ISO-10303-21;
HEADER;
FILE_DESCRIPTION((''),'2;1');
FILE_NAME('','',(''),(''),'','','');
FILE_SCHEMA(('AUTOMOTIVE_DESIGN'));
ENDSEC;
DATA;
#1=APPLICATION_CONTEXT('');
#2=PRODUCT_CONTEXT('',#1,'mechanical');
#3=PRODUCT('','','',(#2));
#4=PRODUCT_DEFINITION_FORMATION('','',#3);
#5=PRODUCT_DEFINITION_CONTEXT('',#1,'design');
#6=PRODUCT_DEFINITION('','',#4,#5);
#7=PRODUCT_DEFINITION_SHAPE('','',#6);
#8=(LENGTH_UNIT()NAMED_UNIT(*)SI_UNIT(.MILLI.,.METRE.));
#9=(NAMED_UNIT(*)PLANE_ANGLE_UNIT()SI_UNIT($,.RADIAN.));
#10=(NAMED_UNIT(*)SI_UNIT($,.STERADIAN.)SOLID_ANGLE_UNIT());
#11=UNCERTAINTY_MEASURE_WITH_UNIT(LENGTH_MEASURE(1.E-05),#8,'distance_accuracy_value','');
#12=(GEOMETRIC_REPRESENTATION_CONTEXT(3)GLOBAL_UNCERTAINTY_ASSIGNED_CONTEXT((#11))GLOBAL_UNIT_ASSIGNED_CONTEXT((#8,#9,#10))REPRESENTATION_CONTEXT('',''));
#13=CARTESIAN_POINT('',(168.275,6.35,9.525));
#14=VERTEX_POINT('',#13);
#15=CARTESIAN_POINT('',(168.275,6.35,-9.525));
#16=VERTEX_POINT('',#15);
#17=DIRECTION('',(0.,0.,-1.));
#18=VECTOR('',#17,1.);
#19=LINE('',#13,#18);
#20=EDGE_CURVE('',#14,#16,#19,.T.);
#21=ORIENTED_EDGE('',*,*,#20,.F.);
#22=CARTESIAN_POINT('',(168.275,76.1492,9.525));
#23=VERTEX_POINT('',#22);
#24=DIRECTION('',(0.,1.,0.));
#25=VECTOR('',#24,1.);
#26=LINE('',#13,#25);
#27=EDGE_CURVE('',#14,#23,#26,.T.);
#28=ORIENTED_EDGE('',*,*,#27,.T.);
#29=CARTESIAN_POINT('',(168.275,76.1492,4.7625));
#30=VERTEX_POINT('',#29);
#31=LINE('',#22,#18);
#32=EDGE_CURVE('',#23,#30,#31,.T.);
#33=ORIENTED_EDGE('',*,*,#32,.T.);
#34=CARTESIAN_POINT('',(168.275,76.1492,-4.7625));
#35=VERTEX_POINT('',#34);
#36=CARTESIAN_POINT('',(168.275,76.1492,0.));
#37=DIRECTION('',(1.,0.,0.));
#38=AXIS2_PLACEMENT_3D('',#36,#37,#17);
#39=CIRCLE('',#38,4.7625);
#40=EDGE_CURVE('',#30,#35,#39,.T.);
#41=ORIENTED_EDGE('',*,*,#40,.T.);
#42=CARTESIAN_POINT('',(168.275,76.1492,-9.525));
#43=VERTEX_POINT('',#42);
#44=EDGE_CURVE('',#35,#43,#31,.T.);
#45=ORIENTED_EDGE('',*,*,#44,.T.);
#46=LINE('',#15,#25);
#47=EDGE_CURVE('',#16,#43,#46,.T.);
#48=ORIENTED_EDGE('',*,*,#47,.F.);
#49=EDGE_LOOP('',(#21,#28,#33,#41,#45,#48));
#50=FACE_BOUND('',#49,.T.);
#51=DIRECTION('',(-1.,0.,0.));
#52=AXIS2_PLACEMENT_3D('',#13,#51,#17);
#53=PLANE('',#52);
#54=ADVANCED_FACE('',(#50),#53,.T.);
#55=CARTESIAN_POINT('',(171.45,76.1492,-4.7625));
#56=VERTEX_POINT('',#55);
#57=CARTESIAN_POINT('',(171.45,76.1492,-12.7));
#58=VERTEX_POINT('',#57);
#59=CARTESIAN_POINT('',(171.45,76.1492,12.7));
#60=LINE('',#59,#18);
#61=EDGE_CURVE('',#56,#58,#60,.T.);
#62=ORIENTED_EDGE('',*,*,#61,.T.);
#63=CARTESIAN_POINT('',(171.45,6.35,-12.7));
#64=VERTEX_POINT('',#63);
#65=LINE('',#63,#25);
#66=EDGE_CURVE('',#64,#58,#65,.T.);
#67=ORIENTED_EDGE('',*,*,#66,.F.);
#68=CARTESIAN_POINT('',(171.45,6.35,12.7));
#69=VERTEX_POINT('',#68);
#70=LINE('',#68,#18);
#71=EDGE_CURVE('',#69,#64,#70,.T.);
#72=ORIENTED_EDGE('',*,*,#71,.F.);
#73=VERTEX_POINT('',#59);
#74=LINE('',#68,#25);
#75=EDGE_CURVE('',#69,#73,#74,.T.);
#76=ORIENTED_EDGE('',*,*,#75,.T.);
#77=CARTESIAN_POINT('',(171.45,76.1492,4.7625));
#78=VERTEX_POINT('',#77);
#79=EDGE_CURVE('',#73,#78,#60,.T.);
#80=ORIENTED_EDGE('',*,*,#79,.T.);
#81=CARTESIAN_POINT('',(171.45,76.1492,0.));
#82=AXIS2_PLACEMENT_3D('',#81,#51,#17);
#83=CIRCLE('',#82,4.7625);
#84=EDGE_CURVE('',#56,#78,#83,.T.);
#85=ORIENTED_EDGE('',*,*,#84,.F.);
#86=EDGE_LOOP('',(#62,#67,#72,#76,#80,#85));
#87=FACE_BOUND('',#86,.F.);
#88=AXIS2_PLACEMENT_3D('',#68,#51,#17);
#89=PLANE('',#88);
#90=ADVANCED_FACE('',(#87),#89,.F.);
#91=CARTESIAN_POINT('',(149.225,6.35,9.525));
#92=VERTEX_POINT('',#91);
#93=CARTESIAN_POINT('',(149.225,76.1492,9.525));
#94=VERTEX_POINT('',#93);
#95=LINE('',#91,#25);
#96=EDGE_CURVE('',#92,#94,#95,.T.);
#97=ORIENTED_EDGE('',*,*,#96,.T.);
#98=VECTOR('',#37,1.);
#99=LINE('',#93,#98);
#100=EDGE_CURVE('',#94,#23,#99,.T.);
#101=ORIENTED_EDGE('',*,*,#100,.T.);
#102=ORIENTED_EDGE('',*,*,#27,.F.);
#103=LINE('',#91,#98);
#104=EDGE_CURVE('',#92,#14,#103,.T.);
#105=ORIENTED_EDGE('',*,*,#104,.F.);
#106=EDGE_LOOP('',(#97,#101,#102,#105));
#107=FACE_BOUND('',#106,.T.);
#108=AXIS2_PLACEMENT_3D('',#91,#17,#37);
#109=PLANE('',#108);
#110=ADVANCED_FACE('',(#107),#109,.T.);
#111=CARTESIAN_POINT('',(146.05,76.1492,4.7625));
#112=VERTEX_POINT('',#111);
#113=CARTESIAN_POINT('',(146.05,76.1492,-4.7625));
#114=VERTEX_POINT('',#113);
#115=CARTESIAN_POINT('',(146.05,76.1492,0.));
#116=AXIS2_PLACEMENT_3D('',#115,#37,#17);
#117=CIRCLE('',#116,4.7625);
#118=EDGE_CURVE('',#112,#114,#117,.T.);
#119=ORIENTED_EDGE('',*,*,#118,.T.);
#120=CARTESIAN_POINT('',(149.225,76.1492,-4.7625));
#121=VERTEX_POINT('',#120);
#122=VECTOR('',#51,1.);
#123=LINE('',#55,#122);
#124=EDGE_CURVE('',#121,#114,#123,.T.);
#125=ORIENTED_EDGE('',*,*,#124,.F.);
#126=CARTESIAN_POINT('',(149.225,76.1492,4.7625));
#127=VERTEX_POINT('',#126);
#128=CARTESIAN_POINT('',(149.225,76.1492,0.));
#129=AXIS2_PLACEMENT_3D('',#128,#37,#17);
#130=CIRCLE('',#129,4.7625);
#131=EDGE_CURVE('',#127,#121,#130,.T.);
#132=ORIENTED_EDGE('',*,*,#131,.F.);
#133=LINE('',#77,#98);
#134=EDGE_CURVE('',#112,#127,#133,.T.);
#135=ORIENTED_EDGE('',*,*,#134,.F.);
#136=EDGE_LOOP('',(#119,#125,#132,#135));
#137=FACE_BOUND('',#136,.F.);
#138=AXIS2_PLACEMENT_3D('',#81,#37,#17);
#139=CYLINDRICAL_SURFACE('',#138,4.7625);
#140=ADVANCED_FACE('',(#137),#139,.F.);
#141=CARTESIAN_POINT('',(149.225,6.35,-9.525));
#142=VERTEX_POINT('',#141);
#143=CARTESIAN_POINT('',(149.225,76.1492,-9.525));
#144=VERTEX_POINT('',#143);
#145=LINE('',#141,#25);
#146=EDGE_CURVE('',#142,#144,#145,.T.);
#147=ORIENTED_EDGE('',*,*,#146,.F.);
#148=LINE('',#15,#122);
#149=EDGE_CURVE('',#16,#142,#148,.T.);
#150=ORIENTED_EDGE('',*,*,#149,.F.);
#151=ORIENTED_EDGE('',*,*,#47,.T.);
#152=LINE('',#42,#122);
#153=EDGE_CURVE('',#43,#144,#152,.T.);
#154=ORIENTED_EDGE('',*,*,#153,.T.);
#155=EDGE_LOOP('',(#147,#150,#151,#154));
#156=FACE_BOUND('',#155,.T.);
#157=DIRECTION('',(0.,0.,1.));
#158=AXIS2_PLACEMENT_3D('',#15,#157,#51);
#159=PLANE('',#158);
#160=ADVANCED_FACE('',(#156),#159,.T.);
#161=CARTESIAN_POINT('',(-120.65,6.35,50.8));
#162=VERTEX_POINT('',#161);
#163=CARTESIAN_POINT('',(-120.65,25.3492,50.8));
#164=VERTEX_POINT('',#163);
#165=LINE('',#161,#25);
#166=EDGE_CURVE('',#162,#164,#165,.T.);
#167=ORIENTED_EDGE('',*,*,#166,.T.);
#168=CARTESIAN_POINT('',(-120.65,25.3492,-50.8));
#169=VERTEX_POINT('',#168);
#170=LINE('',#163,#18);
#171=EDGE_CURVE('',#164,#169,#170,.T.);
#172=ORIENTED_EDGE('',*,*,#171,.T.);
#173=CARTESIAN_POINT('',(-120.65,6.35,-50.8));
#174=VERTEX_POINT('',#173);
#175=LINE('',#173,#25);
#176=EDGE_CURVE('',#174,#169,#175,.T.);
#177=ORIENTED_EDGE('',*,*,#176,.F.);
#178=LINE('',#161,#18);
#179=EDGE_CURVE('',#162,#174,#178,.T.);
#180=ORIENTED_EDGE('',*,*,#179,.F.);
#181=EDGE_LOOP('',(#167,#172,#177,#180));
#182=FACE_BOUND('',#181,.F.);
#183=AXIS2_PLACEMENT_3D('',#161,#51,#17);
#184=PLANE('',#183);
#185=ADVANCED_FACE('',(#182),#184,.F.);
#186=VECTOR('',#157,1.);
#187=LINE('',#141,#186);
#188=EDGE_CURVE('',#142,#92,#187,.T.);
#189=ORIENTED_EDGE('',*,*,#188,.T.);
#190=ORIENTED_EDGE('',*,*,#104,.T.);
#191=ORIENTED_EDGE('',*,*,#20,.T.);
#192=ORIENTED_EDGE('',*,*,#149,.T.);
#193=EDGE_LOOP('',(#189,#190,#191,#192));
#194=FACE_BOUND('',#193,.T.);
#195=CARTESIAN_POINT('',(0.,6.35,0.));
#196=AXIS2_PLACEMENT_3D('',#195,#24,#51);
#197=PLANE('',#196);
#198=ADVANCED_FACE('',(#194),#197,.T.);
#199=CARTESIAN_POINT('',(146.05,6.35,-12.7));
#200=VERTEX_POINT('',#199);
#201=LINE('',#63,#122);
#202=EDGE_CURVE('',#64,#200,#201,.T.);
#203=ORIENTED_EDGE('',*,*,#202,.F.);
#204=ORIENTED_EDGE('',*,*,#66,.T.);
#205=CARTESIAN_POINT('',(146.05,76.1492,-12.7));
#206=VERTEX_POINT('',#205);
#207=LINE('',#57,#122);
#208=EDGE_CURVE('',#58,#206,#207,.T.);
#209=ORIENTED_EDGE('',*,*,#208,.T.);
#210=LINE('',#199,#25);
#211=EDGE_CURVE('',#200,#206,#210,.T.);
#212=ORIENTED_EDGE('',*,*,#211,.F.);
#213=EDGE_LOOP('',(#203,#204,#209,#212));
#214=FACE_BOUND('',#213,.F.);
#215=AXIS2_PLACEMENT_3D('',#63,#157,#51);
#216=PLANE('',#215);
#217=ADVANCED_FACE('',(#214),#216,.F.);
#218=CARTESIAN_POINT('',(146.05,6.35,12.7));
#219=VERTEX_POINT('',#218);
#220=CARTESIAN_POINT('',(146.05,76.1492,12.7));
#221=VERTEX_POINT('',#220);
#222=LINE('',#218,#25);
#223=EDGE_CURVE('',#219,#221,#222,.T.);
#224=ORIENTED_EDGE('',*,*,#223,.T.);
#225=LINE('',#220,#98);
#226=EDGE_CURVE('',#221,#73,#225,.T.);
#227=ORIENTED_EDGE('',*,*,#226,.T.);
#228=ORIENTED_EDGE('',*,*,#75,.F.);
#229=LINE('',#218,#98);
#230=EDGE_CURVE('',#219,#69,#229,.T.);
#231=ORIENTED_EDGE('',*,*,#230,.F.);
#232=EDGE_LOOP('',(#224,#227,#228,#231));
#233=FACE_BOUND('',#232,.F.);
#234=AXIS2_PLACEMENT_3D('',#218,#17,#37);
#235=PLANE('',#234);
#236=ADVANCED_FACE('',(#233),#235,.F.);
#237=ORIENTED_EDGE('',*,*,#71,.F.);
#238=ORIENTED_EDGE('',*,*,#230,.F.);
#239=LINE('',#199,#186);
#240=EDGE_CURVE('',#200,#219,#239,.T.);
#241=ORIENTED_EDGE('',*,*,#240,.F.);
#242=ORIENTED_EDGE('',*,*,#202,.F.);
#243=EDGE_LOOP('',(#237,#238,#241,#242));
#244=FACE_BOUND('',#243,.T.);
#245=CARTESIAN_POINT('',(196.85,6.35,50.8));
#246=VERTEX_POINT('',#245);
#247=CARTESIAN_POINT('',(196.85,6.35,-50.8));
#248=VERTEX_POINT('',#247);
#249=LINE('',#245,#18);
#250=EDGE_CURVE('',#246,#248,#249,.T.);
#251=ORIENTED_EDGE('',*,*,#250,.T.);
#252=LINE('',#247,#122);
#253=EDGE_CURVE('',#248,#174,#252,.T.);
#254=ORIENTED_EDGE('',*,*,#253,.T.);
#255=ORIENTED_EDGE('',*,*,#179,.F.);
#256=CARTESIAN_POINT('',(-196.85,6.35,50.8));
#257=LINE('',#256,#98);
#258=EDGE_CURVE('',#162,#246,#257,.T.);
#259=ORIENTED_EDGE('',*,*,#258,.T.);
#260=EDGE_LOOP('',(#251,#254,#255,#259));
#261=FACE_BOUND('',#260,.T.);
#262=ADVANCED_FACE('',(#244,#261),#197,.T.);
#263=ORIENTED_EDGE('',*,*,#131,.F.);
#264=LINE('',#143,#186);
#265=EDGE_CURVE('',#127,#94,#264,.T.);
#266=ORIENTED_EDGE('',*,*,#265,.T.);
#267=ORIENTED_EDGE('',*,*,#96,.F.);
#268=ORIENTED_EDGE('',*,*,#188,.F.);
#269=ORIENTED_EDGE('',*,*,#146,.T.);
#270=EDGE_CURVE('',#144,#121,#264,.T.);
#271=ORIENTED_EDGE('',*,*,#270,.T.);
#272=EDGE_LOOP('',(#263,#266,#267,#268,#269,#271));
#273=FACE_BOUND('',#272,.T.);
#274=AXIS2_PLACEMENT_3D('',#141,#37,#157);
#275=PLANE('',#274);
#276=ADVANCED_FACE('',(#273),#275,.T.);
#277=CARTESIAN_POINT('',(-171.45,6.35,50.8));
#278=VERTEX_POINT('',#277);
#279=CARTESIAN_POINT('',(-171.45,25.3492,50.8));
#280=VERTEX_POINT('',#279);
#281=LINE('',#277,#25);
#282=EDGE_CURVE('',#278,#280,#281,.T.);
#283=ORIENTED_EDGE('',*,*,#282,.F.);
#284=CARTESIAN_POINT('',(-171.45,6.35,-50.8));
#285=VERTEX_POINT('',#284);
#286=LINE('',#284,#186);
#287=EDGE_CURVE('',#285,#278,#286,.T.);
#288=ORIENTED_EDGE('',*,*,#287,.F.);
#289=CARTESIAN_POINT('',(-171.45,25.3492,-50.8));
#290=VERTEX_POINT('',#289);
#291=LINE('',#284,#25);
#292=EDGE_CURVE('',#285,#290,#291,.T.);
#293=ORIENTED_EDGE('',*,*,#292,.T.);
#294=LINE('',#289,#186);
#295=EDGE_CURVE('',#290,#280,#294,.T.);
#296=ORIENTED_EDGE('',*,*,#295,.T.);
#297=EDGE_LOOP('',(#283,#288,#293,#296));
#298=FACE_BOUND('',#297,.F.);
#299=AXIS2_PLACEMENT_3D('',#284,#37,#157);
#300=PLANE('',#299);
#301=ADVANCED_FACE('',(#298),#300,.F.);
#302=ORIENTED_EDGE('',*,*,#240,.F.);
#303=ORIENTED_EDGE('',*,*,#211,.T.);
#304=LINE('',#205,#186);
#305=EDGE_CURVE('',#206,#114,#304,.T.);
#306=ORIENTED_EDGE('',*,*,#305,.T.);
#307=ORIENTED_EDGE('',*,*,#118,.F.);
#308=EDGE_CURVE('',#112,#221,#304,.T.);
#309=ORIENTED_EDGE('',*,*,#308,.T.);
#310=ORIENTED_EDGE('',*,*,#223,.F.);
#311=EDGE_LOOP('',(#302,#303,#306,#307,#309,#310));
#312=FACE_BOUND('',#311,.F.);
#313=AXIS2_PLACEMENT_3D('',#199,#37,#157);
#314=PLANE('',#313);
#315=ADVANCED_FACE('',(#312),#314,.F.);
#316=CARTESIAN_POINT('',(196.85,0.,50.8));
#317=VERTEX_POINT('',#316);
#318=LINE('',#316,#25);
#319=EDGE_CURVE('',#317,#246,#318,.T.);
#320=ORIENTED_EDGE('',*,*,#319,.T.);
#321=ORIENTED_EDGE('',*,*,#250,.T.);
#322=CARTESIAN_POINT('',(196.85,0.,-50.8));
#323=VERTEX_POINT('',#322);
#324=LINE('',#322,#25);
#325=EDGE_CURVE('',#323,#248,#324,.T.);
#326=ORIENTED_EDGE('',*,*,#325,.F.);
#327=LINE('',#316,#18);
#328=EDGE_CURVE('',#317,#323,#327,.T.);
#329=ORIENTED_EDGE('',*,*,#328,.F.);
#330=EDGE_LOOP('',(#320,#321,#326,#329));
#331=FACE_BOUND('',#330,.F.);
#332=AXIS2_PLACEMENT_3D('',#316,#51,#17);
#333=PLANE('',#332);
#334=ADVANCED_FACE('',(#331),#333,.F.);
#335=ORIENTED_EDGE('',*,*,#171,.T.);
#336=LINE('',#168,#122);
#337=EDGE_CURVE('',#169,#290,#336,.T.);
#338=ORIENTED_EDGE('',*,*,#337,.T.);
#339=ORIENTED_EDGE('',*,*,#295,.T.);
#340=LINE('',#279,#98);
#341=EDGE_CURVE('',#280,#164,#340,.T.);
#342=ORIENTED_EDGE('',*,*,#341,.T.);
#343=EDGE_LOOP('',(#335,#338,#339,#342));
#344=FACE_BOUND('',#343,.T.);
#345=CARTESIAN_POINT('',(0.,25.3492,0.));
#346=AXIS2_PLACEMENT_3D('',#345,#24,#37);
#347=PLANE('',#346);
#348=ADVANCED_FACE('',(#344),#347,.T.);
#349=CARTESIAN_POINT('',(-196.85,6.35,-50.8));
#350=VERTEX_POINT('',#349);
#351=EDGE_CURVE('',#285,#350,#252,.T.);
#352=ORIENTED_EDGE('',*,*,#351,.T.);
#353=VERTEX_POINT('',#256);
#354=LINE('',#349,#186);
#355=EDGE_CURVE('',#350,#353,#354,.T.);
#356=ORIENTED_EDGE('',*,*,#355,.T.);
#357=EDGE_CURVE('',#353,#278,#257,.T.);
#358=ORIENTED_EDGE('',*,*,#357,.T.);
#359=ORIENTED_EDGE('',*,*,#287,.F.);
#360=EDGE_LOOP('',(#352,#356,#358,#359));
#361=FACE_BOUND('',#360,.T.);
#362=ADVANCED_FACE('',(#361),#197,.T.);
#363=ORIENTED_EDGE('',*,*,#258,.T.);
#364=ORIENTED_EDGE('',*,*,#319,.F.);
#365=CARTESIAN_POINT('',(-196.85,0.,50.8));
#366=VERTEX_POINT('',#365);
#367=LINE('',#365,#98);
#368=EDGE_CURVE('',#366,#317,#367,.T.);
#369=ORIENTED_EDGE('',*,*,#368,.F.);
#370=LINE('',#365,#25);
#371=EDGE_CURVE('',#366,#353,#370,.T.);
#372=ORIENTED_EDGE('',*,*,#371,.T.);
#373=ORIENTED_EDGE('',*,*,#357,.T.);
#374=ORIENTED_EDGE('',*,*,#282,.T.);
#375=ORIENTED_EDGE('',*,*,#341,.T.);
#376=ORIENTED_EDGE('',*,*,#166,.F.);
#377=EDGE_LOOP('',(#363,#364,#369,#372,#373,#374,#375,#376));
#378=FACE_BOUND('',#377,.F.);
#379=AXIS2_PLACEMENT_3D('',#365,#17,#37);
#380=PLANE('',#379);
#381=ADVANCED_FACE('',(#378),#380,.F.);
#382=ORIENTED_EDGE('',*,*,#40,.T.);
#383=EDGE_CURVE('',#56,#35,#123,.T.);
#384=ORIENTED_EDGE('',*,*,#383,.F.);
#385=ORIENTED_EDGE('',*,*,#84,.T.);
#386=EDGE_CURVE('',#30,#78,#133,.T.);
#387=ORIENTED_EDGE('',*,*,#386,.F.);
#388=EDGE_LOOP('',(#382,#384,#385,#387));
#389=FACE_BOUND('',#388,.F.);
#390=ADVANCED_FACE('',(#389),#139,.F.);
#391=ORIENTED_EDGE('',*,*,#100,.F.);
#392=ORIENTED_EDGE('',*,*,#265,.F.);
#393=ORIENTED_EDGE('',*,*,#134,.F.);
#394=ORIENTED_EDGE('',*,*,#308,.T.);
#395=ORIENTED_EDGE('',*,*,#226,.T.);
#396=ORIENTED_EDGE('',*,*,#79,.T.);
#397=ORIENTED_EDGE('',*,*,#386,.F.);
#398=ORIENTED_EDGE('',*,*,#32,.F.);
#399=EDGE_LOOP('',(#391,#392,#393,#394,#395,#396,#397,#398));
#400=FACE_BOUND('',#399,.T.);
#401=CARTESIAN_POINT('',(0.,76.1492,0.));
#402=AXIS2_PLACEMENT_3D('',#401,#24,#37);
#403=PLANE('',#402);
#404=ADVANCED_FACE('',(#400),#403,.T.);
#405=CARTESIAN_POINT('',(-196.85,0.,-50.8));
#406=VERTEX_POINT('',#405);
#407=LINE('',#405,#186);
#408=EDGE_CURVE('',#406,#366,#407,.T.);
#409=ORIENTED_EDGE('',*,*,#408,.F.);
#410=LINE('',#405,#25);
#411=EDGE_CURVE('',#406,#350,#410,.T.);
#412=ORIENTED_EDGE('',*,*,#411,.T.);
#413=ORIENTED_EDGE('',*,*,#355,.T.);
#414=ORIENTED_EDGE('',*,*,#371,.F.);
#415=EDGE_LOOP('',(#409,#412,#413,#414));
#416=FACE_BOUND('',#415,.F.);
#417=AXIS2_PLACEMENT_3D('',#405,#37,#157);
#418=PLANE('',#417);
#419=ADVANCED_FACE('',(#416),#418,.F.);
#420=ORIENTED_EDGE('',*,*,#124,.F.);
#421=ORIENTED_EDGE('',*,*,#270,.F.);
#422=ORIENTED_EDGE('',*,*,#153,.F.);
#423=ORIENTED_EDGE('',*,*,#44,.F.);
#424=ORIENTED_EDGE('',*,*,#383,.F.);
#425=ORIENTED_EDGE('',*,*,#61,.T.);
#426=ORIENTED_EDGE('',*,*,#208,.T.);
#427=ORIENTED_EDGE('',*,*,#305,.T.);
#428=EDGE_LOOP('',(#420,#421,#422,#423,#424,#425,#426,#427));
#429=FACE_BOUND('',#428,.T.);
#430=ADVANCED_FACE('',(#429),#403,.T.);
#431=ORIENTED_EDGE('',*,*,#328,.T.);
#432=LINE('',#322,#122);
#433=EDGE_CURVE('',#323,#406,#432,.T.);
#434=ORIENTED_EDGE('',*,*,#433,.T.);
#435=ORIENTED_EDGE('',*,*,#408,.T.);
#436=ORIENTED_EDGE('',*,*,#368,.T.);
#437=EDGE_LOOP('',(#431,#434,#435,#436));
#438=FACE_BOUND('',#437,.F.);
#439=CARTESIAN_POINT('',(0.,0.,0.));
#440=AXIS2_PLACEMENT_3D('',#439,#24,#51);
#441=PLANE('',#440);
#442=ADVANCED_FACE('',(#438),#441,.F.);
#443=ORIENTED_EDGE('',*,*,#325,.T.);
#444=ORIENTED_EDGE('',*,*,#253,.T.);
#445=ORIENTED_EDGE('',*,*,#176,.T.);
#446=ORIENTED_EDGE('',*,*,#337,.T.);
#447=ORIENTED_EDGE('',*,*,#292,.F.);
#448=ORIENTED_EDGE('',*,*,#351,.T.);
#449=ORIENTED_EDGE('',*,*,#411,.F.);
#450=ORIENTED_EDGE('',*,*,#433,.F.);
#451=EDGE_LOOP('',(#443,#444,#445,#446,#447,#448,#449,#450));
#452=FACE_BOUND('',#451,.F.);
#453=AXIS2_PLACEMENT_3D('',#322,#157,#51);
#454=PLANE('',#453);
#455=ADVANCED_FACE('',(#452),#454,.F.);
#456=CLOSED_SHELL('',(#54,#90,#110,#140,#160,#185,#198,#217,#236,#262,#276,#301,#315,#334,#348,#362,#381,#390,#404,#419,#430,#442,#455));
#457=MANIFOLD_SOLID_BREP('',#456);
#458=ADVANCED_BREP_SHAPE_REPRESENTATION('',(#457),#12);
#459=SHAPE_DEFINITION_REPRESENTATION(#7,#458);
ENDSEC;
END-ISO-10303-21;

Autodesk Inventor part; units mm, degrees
ref_plane "XZ Plane" through (0, 0, 0) normal (0, 1, 0) x (-1, 0, 0)
sketch "Sketch1" plane through (0, 0, 0) normal (0, 1, 0) x (-1, 0, 0)
  line L0 (196.85, 50.8) -> (-196.85, 50.8)
  line L1 (-196.85, 50.8) -> (-196.85, -50.8)
  line L2 (-196.85, -50.8) -> (196.85, -50.8)
  line L3 (196.85, -50.8) -> (196.85, 50.8)
  line L4 (196.85, 50.8) -> (-196.85, -50.8) construction
  line L5 (-196.85, 50.8) -> (196.85, -50.8) construction
  point P0 (0, 0)
  dimension "d0" = 101.6
  dimension "d1" = 393.7
extrude "Extrusion1" add sketch "Sketch1" along normal blind 6.35
sketch "Sketch2" plane through (0, 6.35, 0) normal (0, 1, 0) x (1, 0, 0)
  line L0 (146.05, -12.7) -> (171.45, -12.7)
  line L1 (171.45, -12.7) -> (171.45, 12.7)
  line L2 (171.45, 12.7) -> (146.05, 12.7)
  line L3 (146.05, 12.7) -> (146.05, -12.7)
  line L4 (146.05, -12.7) -> (171.45, 12.7) construction
  line L5 (171.45, -12.7) -> (146.05, 12.7) construction
  line L6 (149.225, -9.525) -> (168.275, -9.525)
  line L7 (168.275, -9.525) -> (168.275, 9.525)
  line L8 (168.275, 9.525) -> (149.225, 9.525)
  line L9 (149.225, 9.525) -> (149.225, -9.525)
  line L10 (149.225, -9.525) -> (168.275, 9.525) construction
  line L11 (168.275, -9.525) -> (149.225, 9.525) construction
  line L12 (196.85, -50.8) -> (196.85, 50.8) projected
  line L13 (-196.85, -50.8) -> (196.85, -50.8) projected
  point P0 (0, 0)
  point P1 (158.75, 0)
  dimension "d4" = 25.4
  dimension "d5" = 25.4
  dimension "d6" = 3.175
  dimension "d7" = 3.175
  dimension "d8" = 25.4
  dimension "d14" = 38.1
extrude "Extrusion2" add sketch "Sketch2" along normal blind 69.7992
sketch "Sketch3" plane through (171.45, 6.35, 12.7) normal (1, 0, 0) x (0, 0, -1)
  line L0 (0, 69.7992) -> (25.4, 69.7992) projected
  circle A0 centre (12.7, 69.7992) radius 4.7625
  point P0 (12.7, -6.35)
  dimension "d11" = 9.525
extrude "Extrusion3" cut sketch "Sketch3" against normal through all
sketch "Sketch4" plane through (0, 6.35, 0) normal (0, 1, 0) x (1, 0, 0)
  line L0 (-171.45, -50.8) -> (-120.65, -50.8)
  line L1 (-120.65, -50.8) -> (-120.65, 50.8)
  line L2 (-120.65, 50.8) -> (-171.45, 50.8)
  line L3 (-171.45, 50.8) -> (-171.45, -50.8)
  line L4 (-171.45, -50.8) -> (-120.65, 50.8) construction
  line L5 (-120.65, -50.8) -> (-171.45, 50.8) construction
  line L6 (-196.85, 50.8) -> (-196.85, -50.8) projected
  line L7 (-196.85, -50.8) -> (196.85, -50.8) projected
  point P0 (0, 0)
  point P1 (-146.05, 0)
  dimension "d15" = 50.8
  dimension "d16" = 25.4
  dimension "d17" = 101.6
extrude "Extrusion4" add sketch "Sketch4" along normal blind 18.9992
sketch "Sketch5" plane through (0, 6.35, 0) normal (0, 1, 0) x (1, 0, 0)
  line L0 (196.85, 50.8) -> (-196.85, 50.8) projected
  line L1 (-101.6, 50.8) -> (101.6, 50.8)
  line L2 (101.6, 50.8) -> (101.6, 25.4)
  line L3 (101.6, 25.4) -> (-101.6, 25.4)
  line L4 (-101.6, 25.4) -> (-101.6, 50.8)
  point P0 (0, 0)
  dimension "d20" = 101.6
  dimension "d21" = 101.6
  dimension "d22" = 25.4
sketch "Sketch7" plane through (0, 6.35, 0) normal (0, 1, 0) x (1, 0, 0)
  line L0 (-196.85, -50.8) -> (196.85, -50.8) projected
  line L1 (-101.6, -50.8) -> (101.6, -50.8)
  line L2 (101.6, -50.8) -> (101.6, 0)
  line L3 (101.6, 0) -> (-101.6, 0)
  line L4 (-101.6, 0) -> (-101.6, -50.8)
  line L5 (-101.6, 25.4) -> (-101.6, 50.8) projected
  line L6 (101.6, 50.8) -> (101.6, 25.4) projected
  line L7 (101.6, 25.4) -> (-101.6, 25.4) projected
  point P0 (0, 0)
  dimension "d28" = 25.4
equation "\"d0\" = width"
equation "\"d1\" = length"
equation "\"d2\" = thickness"
equation "\"width\" = 101.6"
equation "\"length\" = 393.7"
equation "\"thickness\" = 6.35"
properties part number "SupportPlateToAttachToRobotBase" material "Aluminum 6061"
